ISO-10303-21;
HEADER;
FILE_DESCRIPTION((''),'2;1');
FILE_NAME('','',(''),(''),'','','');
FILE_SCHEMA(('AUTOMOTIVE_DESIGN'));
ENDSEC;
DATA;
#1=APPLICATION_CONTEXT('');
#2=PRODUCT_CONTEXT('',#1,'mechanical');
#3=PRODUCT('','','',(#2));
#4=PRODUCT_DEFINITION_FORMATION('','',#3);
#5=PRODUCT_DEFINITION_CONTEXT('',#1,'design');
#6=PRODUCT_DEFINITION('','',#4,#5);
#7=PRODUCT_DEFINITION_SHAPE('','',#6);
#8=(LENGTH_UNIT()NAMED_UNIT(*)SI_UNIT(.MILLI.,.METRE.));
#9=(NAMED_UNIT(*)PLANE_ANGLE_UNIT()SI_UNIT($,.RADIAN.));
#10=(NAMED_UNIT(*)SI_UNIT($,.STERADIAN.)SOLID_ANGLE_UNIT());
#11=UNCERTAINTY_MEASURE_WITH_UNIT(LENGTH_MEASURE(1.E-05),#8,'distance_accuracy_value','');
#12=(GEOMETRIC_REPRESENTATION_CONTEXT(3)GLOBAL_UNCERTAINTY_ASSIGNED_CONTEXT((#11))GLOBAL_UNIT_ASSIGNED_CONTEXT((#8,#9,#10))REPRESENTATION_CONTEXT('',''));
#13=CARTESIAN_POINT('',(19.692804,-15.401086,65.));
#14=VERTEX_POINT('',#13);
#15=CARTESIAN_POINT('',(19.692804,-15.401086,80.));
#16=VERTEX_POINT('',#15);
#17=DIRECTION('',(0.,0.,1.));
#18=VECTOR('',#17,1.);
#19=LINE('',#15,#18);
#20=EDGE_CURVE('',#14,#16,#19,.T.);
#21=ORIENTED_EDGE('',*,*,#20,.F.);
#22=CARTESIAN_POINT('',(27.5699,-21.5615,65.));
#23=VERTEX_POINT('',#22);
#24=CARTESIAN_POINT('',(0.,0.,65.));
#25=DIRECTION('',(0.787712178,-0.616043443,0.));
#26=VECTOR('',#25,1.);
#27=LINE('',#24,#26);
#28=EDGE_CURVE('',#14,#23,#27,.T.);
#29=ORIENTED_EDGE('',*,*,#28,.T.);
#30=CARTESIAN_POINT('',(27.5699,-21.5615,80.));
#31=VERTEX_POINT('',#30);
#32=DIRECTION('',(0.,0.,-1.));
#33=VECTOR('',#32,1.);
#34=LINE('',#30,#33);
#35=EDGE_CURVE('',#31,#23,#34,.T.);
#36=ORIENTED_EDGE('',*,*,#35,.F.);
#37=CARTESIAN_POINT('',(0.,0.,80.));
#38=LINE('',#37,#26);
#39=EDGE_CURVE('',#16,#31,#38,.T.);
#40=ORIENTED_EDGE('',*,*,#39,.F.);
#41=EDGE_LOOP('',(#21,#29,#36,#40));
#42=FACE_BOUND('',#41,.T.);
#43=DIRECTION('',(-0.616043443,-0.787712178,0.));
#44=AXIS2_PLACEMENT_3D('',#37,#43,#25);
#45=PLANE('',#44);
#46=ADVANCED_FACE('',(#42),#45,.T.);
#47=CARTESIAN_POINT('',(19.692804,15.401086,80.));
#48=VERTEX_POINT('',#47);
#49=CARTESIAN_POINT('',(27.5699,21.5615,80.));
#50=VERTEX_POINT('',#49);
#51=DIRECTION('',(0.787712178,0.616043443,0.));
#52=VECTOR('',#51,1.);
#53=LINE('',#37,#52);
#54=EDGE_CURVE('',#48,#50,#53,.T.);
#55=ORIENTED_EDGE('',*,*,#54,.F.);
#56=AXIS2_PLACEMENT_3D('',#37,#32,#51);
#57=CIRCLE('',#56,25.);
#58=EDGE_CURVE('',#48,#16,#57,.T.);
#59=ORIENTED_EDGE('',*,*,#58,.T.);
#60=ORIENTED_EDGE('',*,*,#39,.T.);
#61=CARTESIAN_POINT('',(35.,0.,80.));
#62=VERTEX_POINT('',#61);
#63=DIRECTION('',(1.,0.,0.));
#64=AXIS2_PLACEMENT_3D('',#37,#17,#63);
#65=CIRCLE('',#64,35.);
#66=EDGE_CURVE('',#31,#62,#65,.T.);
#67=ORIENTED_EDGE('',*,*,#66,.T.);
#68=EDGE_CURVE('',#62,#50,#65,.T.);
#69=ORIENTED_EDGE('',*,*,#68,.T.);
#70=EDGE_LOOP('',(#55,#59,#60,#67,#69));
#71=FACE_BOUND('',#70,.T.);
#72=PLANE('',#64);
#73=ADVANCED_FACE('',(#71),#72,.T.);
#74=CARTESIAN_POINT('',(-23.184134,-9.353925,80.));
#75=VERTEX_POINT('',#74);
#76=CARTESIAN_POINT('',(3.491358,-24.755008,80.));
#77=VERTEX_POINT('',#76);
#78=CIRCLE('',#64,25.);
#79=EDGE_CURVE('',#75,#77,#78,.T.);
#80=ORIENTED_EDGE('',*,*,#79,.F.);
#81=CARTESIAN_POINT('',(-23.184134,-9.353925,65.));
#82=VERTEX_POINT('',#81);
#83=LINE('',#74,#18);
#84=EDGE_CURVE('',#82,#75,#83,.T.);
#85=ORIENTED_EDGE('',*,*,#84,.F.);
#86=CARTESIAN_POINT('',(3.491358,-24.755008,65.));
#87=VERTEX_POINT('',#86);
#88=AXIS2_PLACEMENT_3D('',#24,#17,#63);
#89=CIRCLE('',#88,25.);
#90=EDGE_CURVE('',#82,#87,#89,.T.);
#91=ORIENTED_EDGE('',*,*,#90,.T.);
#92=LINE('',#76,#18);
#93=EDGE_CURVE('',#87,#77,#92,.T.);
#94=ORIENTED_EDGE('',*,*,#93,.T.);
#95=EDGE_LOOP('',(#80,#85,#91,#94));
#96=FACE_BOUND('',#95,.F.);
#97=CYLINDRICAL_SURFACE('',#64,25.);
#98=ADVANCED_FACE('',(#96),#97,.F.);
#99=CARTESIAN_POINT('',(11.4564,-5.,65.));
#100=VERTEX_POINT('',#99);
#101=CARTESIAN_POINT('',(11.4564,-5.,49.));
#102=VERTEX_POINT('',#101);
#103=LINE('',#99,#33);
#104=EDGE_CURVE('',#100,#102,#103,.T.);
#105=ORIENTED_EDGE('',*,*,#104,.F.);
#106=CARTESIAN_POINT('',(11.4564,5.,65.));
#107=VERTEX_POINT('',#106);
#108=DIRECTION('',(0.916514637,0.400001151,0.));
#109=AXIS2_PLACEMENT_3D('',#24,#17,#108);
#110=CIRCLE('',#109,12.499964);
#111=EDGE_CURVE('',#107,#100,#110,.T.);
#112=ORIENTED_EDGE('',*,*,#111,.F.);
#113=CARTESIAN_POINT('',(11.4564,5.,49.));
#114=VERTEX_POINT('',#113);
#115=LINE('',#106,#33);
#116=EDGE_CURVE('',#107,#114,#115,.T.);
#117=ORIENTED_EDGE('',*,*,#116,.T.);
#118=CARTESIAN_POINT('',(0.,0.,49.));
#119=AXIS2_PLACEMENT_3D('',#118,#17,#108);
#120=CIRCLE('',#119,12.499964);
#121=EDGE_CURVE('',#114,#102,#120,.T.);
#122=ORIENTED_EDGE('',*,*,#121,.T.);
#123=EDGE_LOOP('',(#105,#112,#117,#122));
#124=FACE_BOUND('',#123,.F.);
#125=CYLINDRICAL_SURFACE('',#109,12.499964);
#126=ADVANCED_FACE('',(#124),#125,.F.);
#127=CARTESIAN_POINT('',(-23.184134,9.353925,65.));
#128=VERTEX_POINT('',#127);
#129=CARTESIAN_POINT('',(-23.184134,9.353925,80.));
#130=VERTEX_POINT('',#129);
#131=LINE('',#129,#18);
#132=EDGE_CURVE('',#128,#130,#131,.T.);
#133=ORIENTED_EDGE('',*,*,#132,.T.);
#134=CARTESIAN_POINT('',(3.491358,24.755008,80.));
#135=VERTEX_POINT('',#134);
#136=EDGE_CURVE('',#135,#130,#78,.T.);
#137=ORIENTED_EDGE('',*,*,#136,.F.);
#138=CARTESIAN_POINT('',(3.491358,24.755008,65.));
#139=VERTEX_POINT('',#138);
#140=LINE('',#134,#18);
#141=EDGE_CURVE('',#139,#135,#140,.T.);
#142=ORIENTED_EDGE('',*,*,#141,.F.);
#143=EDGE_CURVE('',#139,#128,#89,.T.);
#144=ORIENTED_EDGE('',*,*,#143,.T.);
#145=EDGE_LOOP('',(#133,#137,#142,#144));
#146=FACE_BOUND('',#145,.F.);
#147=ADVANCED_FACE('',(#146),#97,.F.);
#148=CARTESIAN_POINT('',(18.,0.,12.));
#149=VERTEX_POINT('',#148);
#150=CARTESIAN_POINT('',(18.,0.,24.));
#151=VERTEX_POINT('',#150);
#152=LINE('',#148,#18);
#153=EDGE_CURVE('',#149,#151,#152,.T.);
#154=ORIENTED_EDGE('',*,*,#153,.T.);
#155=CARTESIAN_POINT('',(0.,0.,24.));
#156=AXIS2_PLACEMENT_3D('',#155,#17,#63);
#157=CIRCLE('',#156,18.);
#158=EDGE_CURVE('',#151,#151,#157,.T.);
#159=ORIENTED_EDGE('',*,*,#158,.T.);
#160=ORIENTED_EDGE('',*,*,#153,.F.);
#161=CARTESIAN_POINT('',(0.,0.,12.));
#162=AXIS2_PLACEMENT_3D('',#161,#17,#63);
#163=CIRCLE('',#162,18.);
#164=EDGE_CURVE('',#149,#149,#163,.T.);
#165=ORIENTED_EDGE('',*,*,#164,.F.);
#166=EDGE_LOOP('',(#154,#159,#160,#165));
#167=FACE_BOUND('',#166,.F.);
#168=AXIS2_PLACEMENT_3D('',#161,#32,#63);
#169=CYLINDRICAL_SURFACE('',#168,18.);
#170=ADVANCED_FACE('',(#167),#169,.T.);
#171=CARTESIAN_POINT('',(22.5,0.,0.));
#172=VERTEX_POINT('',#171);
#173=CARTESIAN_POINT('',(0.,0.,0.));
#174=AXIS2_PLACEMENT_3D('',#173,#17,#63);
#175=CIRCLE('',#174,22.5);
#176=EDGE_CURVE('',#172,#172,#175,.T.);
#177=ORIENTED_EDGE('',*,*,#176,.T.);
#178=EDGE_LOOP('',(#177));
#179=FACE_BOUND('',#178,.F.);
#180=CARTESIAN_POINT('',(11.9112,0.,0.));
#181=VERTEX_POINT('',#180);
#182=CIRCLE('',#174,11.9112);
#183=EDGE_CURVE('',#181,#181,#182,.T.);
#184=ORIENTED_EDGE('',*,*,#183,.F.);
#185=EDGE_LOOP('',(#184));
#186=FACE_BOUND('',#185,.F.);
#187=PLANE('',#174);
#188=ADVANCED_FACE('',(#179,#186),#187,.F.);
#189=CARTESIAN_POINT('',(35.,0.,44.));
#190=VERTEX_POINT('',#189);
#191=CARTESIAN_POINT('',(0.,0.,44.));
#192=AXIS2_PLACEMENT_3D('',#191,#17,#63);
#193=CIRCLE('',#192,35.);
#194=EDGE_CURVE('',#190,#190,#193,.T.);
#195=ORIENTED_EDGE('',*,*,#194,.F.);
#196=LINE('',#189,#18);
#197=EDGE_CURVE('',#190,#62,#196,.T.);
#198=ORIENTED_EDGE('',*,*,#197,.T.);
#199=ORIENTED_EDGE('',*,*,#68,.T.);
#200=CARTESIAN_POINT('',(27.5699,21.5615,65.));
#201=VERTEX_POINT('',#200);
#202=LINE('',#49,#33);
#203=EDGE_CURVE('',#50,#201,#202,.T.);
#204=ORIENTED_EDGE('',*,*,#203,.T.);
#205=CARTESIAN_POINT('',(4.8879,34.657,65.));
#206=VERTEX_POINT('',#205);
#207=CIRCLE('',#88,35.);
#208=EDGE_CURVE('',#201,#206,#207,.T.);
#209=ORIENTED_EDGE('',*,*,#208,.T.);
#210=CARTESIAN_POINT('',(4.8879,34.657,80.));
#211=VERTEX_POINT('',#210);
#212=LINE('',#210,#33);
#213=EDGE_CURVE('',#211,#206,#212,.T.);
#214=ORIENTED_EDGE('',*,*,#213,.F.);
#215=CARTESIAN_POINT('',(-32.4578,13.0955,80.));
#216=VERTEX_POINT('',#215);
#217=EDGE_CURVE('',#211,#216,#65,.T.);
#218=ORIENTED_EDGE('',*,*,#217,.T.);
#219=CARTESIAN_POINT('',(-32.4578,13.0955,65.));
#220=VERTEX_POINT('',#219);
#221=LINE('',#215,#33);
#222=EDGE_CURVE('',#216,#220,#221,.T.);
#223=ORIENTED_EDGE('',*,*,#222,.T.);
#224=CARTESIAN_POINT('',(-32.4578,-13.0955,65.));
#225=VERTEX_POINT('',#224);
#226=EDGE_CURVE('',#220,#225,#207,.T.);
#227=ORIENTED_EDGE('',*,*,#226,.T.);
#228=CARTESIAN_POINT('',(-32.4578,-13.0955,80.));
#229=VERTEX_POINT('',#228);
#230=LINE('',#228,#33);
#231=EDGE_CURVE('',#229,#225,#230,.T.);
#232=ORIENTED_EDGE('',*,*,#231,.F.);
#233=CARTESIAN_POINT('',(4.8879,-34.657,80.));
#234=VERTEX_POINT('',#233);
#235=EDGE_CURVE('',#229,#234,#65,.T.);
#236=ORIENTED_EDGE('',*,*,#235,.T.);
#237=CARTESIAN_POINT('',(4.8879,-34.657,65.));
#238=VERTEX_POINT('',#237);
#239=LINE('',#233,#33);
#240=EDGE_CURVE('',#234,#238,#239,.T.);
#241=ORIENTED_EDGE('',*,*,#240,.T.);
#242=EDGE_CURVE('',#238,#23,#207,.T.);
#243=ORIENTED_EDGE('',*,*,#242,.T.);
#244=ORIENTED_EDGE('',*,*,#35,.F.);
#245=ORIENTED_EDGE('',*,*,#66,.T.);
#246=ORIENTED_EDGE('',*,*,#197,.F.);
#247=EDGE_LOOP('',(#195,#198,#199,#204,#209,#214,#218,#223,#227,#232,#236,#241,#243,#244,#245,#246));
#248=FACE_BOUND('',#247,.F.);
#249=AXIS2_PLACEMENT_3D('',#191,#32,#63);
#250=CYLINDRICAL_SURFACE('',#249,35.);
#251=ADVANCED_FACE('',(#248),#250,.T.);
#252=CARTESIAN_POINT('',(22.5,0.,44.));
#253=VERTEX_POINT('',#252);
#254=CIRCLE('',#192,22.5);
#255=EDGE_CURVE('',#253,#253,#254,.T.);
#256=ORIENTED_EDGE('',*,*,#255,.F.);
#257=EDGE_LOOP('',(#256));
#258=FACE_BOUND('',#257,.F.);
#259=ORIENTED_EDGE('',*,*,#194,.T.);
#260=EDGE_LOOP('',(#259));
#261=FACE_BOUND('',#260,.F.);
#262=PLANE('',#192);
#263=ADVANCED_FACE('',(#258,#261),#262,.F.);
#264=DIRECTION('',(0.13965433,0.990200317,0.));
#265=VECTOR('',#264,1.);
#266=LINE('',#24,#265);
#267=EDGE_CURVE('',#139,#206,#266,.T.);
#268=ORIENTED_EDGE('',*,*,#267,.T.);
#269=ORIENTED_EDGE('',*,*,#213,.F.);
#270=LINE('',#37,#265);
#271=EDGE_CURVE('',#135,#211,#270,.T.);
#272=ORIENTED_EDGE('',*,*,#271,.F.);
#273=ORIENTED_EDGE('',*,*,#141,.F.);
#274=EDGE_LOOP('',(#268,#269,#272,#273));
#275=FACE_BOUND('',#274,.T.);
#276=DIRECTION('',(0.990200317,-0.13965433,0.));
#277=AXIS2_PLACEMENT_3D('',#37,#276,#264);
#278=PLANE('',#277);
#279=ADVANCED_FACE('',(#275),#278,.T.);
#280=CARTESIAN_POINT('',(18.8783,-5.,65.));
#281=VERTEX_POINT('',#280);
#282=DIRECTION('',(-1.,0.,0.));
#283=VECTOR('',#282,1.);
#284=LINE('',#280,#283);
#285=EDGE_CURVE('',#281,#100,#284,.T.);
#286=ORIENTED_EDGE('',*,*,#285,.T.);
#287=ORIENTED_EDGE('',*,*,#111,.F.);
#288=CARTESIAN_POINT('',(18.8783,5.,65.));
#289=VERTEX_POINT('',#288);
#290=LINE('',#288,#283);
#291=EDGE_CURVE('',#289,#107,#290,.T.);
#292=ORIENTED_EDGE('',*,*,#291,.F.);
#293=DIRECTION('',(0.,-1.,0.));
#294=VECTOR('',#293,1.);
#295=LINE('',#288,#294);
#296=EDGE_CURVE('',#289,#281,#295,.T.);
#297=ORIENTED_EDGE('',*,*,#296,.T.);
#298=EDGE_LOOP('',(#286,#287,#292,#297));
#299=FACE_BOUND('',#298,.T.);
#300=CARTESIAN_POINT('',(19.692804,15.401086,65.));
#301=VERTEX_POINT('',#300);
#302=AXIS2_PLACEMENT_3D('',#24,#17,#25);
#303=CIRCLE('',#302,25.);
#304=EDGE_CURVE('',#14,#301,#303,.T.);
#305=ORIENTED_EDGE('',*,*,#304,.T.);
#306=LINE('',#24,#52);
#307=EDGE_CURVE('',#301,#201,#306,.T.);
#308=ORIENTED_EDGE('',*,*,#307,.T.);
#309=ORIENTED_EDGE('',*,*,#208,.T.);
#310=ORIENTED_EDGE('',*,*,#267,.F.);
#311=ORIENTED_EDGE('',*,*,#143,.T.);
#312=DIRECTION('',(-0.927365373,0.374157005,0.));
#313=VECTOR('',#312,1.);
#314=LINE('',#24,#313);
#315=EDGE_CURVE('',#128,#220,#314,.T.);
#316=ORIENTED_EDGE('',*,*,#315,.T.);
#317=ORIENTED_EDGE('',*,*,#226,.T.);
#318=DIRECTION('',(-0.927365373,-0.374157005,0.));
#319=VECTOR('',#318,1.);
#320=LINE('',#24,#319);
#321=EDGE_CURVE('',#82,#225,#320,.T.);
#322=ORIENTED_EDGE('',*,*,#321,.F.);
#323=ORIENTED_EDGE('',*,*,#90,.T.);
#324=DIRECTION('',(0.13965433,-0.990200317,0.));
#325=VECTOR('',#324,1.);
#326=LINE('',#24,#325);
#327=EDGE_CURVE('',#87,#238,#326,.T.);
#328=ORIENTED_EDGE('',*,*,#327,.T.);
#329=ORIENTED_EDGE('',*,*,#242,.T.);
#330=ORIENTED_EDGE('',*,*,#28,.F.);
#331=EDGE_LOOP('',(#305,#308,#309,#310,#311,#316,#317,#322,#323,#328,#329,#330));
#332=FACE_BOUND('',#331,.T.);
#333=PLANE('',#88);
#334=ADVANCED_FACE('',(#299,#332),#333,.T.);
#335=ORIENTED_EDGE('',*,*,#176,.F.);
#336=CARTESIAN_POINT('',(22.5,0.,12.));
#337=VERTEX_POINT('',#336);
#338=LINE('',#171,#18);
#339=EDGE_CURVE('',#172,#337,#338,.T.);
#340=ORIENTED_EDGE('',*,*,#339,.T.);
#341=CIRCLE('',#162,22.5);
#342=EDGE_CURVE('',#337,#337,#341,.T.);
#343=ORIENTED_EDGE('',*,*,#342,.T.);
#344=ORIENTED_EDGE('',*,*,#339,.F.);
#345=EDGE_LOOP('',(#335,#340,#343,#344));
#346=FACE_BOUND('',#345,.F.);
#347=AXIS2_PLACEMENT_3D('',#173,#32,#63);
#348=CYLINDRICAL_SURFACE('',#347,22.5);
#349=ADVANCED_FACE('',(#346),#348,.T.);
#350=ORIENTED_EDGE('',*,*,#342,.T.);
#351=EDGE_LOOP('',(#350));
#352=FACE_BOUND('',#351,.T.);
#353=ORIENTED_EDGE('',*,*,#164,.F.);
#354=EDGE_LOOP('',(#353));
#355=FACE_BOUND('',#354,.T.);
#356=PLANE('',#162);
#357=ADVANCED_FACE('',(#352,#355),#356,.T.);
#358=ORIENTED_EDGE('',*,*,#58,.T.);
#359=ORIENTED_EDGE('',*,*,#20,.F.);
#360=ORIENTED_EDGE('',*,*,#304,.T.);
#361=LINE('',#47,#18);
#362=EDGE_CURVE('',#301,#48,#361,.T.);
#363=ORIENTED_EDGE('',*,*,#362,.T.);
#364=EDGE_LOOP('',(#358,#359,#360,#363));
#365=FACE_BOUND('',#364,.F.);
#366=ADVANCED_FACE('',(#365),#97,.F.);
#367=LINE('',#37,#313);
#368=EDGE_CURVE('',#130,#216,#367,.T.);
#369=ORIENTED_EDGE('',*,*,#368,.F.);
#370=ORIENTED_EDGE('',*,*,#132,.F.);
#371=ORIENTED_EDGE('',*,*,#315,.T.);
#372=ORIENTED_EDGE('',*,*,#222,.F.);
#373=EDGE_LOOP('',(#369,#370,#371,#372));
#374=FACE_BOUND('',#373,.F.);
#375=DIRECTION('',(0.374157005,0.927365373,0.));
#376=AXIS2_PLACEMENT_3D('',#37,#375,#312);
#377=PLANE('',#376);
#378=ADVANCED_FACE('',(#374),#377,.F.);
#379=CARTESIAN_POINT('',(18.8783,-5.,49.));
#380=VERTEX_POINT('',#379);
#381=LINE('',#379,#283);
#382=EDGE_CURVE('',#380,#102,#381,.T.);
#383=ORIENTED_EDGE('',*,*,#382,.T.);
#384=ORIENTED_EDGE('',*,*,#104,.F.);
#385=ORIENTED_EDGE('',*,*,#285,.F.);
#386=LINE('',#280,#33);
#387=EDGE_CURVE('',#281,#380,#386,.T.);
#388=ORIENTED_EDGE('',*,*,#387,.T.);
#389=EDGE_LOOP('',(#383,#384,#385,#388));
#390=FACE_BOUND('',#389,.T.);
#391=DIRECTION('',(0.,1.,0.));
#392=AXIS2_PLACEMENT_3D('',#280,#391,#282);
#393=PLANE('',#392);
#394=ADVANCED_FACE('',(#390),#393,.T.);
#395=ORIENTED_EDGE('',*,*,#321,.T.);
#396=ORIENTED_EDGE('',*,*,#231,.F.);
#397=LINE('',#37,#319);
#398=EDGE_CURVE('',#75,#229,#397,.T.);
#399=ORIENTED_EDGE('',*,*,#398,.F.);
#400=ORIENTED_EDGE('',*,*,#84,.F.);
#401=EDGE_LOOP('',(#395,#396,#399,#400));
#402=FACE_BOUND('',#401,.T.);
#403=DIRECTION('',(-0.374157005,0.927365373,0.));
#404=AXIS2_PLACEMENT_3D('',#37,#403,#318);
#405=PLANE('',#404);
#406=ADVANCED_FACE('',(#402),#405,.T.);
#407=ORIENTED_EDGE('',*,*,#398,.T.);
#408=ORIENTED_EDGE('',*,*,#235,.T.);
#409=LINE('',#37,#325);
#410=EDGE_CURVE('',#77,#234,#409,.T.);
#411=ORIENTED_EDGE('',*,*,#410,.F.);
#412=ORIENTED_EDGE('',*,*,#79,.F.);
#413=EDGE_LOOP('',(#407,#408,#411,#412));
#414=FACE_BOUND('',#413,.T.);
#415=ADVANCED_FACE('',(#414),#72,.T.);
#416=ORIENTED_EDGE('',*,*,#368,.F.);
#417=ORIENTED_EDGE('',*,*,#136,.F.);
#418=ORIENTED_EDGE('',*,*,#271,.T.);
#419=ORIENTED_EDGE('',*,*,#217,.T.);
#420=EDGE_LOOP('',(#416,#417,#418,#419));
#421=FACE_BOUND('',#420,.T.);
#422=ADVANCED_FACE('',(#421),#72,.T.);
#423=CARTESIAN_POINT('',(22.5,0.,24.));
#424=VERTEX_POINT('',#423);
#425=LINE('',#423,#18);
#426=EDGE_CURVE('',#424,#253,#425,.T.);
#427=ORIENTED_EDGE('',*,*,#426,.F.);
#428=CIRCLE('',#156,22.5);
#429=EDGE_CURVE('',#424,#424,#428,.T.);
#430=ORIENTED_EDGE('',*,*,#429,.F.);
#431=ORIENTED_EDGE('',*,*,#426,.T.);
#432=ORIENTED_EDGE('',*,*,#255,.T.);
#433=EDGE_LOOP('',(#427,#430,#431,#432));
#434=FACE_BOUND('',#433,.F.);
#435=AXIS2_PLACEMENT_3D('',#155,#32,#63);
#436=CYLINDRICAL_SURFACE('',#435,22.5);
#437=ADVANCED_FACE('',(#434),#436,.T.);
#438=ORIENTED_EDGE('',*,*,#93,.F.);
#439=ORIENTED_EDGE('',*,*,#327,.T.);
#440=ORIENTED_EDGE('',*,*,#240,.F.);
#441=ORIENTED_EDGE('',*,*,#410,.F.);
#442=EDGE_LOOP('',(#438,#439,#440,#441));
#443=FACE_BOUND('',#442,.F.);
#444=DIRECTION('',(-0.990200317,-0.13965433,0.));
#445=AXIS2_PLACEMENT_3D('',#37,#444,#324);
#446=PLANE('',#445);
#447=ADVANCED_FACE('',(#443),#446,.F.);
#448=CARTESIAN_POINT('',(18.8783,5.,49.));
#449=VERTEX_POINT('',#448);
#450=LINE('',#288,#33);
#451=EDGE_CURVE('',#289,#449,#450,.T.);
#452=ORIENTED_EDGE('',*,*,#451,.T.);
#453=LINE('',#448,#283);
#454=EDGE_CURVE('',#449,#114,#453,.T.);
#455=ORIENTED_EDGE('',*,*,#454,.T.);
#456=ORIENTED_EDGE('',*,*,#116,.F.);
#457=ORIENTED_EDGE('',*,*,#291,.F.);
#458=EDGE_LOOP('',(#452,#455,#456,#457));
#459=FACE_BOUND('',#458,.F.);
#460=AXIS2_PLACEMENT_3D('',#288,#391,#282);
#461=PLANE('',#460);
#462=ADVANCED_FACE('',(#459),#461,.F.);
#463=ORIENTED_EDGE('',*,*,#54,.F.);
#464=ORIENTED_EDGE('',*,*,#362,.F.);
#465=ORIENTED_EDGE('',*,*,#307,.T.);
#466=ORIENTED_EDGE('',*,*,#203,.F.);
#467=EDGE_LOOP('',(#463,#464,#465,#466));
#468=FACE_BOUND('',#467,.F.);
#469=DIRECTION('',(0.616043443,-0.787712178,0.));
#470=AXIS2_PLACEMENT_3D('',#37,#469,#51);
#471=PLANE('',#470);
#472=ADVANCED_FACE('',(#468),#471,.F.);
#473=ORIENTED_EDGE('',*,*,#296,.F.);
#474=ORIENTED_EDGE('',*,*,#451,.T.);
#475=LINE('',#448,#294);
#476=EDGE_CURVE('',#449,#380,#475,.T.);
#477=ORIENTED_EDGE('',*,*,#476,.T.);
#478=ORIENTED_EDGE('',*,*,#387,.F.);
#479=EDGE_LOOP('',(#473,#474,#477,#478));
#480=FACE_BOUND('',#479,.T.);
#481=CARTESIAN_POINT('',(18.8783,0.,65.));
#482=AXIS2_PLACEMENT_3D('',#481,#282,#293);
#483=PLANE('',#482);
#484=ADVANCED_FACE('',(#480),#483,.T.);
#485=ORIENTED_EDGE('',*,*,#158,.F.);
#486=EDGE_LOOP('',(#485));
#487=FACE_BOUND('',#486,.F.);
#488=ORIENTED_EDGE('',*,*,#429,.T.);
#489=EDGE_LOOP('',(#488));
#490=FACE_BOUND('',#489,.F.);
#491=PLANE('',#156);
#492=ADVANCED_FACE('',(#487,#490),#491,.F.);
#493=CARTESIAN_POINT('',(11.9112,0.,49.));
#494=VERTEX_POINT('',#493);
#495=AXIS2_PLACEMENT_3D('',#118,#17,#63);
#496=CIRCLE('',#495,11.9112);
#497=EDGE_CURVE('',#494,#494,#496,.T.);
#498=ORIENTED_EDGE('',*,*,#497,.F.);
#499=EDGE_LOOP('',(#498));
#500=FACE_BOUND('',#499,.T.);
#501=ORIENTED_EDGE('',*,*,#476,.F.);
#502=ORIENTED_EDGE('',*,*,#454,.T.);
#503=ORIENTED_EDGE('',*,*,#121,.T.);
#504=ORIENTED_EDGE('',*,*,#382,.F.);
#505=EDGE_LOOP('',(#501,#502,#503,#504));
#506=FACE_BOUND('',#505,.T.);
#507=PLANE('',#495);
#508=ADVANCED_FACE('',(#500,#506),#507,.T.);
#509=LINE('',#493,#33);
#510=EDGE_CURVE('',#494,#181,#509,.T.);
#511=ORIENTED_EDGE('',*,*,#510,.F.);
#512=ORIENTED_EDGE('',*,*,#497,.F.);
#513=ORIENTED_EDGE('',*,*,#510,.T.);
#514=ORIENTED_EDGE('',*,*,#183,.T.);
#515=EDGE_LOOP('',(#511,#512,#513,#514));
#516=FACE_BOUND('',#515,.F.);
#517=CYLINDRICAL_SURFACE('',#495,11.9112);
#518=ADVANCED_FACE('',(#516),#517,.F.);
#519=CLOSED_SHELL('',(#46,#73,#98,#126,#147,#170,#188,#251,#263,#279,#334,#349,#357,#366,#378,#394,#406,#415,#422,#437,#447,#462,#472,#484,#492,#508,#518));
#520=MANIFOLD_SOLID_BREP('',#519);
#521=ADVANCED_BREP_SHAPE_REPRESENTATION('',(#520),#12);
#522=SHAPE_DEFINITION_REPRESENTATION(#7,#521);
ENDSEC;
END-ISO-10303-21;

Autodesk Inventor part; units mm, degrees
ref_plane "YZ Plane" through (0, 0, 0) normal (1, 0, 0) x (0, 1, 0)
ref_plane "XZ Plane" through (0, 0, 0) normal (0, 1, 0) x (-1, 0, 0)
ref_plane "XY Plane" through (0, 0, 0) normal (0, 0, 1) x (1, 0, 0)
sketch "Sketch1" plane through (0, 0, 0) normal (0, 0, 1) x (1, 0, 0)
  circle A0 centre (0, 0) radius 22.5
extrude "Extrusion1" add sketch "Sketch1" along normal blind 12
sketch "Sketch2" plane through (0, 0, 12) normal (0, 0, 1) x (1, 0, 0)
  circle A0 centre (0, 0) radius 18
extrude "Extrusion2" add sketch "Sketch2" along normal blind 12
sketch "Sketch3" plane through (0, 0, 24) normal (0, 0, 1) x (1, 0, 0)
  circle A0 centre (0, 0) radius 22.5
extrude "Extrusion3" add sketch "Sketch3" along normal blind 20
sketch "Sketch4" plane through (0, 0, 44) normal (0, 0, 1) x (1, 0, 0)
  circle A0 centre (0, 0) radius 35
extrude "Extrusion4" add sketch "Sketch4" along normal blind 36
sketch "Sketch5" plane through (0, 0, 80) normal (0, 0, 1) x (1, 0, 0)
  circle A0 centre (0, 0) radius 25
extrude "Extrusion5" cut sketch "Sketch5" against normal blind 15
sketch "Sketch6" plane through (0, 0, 80) normal (0, 0, 1) x (1, 0, 0)
  circle A0 centre (0, 0) radius 35 projected
  line L0 (0, 0) -> (-32.4578, -13.0955)
  line L1 (0, 0) -> (-32.4578, 13.0955)
  arc A1 (-32.4578, 13.0955) -> (-32.4578, -13.0955) centre (0, 0) ccw
  line L2 (0, 0) -> (27.5699, -21.5615)
  line L3 (0, 0) -> (4.8879, -34.657)
  arc A2 (4.8879, -34.657) -> (27.5699, -21.5615) centre (0, 0) ccw
  line L4 (0, 0) -> (4.8879, 34.657)
  line L5 (0, 0) -> (27.5699, 21.5615)
  arc A3 (27.5699, 21.5615) -> (4.8879, 34.657) centre (0, 0) ccw
  dimension "d17" = 360
extrude "Extrusion6" cut sketch "Sketch6" against normal blind 15 contours L5 L4 A0 | A0 L3 L2 | L0 A0 L1
sketch "Sketch7" plane through (0, 0, 65) normal (0, 0, 1) x (1, 0, 0)
  arc A0 (11.4564, 5) -> (11.4564, -5) centre (0, 0) ccw
  line L0 (18.8783, 0) -> (18.8783, 5)
  line L1 (18.8783, 0) -> (18.8783, -5)
  line L2 (18.8783, -5) -> (11.4564, -5)
  line L3 (18.8783, 5) -> (11.4564, 5)
extrude "Extrusion7" cut sketch "Sketch7" against normal blind 16
sketch "Sketch8" plane through (0, 0, 0) normal (0, 0, -1) x (-1, 0, 0)
  point P0 (0, 0)
sketch "Sketch9" plane through (0, 0, 49) normal (0, 0, 1) x (1, 0, 0)
  circle A0 centre (0, 0) radius 11.9112
extrude "Extrusion8" cut sketch "Sketch9" against normal blind 50.8
properties part number "tarea 3 dinamica" material "Iron, Ductile"
